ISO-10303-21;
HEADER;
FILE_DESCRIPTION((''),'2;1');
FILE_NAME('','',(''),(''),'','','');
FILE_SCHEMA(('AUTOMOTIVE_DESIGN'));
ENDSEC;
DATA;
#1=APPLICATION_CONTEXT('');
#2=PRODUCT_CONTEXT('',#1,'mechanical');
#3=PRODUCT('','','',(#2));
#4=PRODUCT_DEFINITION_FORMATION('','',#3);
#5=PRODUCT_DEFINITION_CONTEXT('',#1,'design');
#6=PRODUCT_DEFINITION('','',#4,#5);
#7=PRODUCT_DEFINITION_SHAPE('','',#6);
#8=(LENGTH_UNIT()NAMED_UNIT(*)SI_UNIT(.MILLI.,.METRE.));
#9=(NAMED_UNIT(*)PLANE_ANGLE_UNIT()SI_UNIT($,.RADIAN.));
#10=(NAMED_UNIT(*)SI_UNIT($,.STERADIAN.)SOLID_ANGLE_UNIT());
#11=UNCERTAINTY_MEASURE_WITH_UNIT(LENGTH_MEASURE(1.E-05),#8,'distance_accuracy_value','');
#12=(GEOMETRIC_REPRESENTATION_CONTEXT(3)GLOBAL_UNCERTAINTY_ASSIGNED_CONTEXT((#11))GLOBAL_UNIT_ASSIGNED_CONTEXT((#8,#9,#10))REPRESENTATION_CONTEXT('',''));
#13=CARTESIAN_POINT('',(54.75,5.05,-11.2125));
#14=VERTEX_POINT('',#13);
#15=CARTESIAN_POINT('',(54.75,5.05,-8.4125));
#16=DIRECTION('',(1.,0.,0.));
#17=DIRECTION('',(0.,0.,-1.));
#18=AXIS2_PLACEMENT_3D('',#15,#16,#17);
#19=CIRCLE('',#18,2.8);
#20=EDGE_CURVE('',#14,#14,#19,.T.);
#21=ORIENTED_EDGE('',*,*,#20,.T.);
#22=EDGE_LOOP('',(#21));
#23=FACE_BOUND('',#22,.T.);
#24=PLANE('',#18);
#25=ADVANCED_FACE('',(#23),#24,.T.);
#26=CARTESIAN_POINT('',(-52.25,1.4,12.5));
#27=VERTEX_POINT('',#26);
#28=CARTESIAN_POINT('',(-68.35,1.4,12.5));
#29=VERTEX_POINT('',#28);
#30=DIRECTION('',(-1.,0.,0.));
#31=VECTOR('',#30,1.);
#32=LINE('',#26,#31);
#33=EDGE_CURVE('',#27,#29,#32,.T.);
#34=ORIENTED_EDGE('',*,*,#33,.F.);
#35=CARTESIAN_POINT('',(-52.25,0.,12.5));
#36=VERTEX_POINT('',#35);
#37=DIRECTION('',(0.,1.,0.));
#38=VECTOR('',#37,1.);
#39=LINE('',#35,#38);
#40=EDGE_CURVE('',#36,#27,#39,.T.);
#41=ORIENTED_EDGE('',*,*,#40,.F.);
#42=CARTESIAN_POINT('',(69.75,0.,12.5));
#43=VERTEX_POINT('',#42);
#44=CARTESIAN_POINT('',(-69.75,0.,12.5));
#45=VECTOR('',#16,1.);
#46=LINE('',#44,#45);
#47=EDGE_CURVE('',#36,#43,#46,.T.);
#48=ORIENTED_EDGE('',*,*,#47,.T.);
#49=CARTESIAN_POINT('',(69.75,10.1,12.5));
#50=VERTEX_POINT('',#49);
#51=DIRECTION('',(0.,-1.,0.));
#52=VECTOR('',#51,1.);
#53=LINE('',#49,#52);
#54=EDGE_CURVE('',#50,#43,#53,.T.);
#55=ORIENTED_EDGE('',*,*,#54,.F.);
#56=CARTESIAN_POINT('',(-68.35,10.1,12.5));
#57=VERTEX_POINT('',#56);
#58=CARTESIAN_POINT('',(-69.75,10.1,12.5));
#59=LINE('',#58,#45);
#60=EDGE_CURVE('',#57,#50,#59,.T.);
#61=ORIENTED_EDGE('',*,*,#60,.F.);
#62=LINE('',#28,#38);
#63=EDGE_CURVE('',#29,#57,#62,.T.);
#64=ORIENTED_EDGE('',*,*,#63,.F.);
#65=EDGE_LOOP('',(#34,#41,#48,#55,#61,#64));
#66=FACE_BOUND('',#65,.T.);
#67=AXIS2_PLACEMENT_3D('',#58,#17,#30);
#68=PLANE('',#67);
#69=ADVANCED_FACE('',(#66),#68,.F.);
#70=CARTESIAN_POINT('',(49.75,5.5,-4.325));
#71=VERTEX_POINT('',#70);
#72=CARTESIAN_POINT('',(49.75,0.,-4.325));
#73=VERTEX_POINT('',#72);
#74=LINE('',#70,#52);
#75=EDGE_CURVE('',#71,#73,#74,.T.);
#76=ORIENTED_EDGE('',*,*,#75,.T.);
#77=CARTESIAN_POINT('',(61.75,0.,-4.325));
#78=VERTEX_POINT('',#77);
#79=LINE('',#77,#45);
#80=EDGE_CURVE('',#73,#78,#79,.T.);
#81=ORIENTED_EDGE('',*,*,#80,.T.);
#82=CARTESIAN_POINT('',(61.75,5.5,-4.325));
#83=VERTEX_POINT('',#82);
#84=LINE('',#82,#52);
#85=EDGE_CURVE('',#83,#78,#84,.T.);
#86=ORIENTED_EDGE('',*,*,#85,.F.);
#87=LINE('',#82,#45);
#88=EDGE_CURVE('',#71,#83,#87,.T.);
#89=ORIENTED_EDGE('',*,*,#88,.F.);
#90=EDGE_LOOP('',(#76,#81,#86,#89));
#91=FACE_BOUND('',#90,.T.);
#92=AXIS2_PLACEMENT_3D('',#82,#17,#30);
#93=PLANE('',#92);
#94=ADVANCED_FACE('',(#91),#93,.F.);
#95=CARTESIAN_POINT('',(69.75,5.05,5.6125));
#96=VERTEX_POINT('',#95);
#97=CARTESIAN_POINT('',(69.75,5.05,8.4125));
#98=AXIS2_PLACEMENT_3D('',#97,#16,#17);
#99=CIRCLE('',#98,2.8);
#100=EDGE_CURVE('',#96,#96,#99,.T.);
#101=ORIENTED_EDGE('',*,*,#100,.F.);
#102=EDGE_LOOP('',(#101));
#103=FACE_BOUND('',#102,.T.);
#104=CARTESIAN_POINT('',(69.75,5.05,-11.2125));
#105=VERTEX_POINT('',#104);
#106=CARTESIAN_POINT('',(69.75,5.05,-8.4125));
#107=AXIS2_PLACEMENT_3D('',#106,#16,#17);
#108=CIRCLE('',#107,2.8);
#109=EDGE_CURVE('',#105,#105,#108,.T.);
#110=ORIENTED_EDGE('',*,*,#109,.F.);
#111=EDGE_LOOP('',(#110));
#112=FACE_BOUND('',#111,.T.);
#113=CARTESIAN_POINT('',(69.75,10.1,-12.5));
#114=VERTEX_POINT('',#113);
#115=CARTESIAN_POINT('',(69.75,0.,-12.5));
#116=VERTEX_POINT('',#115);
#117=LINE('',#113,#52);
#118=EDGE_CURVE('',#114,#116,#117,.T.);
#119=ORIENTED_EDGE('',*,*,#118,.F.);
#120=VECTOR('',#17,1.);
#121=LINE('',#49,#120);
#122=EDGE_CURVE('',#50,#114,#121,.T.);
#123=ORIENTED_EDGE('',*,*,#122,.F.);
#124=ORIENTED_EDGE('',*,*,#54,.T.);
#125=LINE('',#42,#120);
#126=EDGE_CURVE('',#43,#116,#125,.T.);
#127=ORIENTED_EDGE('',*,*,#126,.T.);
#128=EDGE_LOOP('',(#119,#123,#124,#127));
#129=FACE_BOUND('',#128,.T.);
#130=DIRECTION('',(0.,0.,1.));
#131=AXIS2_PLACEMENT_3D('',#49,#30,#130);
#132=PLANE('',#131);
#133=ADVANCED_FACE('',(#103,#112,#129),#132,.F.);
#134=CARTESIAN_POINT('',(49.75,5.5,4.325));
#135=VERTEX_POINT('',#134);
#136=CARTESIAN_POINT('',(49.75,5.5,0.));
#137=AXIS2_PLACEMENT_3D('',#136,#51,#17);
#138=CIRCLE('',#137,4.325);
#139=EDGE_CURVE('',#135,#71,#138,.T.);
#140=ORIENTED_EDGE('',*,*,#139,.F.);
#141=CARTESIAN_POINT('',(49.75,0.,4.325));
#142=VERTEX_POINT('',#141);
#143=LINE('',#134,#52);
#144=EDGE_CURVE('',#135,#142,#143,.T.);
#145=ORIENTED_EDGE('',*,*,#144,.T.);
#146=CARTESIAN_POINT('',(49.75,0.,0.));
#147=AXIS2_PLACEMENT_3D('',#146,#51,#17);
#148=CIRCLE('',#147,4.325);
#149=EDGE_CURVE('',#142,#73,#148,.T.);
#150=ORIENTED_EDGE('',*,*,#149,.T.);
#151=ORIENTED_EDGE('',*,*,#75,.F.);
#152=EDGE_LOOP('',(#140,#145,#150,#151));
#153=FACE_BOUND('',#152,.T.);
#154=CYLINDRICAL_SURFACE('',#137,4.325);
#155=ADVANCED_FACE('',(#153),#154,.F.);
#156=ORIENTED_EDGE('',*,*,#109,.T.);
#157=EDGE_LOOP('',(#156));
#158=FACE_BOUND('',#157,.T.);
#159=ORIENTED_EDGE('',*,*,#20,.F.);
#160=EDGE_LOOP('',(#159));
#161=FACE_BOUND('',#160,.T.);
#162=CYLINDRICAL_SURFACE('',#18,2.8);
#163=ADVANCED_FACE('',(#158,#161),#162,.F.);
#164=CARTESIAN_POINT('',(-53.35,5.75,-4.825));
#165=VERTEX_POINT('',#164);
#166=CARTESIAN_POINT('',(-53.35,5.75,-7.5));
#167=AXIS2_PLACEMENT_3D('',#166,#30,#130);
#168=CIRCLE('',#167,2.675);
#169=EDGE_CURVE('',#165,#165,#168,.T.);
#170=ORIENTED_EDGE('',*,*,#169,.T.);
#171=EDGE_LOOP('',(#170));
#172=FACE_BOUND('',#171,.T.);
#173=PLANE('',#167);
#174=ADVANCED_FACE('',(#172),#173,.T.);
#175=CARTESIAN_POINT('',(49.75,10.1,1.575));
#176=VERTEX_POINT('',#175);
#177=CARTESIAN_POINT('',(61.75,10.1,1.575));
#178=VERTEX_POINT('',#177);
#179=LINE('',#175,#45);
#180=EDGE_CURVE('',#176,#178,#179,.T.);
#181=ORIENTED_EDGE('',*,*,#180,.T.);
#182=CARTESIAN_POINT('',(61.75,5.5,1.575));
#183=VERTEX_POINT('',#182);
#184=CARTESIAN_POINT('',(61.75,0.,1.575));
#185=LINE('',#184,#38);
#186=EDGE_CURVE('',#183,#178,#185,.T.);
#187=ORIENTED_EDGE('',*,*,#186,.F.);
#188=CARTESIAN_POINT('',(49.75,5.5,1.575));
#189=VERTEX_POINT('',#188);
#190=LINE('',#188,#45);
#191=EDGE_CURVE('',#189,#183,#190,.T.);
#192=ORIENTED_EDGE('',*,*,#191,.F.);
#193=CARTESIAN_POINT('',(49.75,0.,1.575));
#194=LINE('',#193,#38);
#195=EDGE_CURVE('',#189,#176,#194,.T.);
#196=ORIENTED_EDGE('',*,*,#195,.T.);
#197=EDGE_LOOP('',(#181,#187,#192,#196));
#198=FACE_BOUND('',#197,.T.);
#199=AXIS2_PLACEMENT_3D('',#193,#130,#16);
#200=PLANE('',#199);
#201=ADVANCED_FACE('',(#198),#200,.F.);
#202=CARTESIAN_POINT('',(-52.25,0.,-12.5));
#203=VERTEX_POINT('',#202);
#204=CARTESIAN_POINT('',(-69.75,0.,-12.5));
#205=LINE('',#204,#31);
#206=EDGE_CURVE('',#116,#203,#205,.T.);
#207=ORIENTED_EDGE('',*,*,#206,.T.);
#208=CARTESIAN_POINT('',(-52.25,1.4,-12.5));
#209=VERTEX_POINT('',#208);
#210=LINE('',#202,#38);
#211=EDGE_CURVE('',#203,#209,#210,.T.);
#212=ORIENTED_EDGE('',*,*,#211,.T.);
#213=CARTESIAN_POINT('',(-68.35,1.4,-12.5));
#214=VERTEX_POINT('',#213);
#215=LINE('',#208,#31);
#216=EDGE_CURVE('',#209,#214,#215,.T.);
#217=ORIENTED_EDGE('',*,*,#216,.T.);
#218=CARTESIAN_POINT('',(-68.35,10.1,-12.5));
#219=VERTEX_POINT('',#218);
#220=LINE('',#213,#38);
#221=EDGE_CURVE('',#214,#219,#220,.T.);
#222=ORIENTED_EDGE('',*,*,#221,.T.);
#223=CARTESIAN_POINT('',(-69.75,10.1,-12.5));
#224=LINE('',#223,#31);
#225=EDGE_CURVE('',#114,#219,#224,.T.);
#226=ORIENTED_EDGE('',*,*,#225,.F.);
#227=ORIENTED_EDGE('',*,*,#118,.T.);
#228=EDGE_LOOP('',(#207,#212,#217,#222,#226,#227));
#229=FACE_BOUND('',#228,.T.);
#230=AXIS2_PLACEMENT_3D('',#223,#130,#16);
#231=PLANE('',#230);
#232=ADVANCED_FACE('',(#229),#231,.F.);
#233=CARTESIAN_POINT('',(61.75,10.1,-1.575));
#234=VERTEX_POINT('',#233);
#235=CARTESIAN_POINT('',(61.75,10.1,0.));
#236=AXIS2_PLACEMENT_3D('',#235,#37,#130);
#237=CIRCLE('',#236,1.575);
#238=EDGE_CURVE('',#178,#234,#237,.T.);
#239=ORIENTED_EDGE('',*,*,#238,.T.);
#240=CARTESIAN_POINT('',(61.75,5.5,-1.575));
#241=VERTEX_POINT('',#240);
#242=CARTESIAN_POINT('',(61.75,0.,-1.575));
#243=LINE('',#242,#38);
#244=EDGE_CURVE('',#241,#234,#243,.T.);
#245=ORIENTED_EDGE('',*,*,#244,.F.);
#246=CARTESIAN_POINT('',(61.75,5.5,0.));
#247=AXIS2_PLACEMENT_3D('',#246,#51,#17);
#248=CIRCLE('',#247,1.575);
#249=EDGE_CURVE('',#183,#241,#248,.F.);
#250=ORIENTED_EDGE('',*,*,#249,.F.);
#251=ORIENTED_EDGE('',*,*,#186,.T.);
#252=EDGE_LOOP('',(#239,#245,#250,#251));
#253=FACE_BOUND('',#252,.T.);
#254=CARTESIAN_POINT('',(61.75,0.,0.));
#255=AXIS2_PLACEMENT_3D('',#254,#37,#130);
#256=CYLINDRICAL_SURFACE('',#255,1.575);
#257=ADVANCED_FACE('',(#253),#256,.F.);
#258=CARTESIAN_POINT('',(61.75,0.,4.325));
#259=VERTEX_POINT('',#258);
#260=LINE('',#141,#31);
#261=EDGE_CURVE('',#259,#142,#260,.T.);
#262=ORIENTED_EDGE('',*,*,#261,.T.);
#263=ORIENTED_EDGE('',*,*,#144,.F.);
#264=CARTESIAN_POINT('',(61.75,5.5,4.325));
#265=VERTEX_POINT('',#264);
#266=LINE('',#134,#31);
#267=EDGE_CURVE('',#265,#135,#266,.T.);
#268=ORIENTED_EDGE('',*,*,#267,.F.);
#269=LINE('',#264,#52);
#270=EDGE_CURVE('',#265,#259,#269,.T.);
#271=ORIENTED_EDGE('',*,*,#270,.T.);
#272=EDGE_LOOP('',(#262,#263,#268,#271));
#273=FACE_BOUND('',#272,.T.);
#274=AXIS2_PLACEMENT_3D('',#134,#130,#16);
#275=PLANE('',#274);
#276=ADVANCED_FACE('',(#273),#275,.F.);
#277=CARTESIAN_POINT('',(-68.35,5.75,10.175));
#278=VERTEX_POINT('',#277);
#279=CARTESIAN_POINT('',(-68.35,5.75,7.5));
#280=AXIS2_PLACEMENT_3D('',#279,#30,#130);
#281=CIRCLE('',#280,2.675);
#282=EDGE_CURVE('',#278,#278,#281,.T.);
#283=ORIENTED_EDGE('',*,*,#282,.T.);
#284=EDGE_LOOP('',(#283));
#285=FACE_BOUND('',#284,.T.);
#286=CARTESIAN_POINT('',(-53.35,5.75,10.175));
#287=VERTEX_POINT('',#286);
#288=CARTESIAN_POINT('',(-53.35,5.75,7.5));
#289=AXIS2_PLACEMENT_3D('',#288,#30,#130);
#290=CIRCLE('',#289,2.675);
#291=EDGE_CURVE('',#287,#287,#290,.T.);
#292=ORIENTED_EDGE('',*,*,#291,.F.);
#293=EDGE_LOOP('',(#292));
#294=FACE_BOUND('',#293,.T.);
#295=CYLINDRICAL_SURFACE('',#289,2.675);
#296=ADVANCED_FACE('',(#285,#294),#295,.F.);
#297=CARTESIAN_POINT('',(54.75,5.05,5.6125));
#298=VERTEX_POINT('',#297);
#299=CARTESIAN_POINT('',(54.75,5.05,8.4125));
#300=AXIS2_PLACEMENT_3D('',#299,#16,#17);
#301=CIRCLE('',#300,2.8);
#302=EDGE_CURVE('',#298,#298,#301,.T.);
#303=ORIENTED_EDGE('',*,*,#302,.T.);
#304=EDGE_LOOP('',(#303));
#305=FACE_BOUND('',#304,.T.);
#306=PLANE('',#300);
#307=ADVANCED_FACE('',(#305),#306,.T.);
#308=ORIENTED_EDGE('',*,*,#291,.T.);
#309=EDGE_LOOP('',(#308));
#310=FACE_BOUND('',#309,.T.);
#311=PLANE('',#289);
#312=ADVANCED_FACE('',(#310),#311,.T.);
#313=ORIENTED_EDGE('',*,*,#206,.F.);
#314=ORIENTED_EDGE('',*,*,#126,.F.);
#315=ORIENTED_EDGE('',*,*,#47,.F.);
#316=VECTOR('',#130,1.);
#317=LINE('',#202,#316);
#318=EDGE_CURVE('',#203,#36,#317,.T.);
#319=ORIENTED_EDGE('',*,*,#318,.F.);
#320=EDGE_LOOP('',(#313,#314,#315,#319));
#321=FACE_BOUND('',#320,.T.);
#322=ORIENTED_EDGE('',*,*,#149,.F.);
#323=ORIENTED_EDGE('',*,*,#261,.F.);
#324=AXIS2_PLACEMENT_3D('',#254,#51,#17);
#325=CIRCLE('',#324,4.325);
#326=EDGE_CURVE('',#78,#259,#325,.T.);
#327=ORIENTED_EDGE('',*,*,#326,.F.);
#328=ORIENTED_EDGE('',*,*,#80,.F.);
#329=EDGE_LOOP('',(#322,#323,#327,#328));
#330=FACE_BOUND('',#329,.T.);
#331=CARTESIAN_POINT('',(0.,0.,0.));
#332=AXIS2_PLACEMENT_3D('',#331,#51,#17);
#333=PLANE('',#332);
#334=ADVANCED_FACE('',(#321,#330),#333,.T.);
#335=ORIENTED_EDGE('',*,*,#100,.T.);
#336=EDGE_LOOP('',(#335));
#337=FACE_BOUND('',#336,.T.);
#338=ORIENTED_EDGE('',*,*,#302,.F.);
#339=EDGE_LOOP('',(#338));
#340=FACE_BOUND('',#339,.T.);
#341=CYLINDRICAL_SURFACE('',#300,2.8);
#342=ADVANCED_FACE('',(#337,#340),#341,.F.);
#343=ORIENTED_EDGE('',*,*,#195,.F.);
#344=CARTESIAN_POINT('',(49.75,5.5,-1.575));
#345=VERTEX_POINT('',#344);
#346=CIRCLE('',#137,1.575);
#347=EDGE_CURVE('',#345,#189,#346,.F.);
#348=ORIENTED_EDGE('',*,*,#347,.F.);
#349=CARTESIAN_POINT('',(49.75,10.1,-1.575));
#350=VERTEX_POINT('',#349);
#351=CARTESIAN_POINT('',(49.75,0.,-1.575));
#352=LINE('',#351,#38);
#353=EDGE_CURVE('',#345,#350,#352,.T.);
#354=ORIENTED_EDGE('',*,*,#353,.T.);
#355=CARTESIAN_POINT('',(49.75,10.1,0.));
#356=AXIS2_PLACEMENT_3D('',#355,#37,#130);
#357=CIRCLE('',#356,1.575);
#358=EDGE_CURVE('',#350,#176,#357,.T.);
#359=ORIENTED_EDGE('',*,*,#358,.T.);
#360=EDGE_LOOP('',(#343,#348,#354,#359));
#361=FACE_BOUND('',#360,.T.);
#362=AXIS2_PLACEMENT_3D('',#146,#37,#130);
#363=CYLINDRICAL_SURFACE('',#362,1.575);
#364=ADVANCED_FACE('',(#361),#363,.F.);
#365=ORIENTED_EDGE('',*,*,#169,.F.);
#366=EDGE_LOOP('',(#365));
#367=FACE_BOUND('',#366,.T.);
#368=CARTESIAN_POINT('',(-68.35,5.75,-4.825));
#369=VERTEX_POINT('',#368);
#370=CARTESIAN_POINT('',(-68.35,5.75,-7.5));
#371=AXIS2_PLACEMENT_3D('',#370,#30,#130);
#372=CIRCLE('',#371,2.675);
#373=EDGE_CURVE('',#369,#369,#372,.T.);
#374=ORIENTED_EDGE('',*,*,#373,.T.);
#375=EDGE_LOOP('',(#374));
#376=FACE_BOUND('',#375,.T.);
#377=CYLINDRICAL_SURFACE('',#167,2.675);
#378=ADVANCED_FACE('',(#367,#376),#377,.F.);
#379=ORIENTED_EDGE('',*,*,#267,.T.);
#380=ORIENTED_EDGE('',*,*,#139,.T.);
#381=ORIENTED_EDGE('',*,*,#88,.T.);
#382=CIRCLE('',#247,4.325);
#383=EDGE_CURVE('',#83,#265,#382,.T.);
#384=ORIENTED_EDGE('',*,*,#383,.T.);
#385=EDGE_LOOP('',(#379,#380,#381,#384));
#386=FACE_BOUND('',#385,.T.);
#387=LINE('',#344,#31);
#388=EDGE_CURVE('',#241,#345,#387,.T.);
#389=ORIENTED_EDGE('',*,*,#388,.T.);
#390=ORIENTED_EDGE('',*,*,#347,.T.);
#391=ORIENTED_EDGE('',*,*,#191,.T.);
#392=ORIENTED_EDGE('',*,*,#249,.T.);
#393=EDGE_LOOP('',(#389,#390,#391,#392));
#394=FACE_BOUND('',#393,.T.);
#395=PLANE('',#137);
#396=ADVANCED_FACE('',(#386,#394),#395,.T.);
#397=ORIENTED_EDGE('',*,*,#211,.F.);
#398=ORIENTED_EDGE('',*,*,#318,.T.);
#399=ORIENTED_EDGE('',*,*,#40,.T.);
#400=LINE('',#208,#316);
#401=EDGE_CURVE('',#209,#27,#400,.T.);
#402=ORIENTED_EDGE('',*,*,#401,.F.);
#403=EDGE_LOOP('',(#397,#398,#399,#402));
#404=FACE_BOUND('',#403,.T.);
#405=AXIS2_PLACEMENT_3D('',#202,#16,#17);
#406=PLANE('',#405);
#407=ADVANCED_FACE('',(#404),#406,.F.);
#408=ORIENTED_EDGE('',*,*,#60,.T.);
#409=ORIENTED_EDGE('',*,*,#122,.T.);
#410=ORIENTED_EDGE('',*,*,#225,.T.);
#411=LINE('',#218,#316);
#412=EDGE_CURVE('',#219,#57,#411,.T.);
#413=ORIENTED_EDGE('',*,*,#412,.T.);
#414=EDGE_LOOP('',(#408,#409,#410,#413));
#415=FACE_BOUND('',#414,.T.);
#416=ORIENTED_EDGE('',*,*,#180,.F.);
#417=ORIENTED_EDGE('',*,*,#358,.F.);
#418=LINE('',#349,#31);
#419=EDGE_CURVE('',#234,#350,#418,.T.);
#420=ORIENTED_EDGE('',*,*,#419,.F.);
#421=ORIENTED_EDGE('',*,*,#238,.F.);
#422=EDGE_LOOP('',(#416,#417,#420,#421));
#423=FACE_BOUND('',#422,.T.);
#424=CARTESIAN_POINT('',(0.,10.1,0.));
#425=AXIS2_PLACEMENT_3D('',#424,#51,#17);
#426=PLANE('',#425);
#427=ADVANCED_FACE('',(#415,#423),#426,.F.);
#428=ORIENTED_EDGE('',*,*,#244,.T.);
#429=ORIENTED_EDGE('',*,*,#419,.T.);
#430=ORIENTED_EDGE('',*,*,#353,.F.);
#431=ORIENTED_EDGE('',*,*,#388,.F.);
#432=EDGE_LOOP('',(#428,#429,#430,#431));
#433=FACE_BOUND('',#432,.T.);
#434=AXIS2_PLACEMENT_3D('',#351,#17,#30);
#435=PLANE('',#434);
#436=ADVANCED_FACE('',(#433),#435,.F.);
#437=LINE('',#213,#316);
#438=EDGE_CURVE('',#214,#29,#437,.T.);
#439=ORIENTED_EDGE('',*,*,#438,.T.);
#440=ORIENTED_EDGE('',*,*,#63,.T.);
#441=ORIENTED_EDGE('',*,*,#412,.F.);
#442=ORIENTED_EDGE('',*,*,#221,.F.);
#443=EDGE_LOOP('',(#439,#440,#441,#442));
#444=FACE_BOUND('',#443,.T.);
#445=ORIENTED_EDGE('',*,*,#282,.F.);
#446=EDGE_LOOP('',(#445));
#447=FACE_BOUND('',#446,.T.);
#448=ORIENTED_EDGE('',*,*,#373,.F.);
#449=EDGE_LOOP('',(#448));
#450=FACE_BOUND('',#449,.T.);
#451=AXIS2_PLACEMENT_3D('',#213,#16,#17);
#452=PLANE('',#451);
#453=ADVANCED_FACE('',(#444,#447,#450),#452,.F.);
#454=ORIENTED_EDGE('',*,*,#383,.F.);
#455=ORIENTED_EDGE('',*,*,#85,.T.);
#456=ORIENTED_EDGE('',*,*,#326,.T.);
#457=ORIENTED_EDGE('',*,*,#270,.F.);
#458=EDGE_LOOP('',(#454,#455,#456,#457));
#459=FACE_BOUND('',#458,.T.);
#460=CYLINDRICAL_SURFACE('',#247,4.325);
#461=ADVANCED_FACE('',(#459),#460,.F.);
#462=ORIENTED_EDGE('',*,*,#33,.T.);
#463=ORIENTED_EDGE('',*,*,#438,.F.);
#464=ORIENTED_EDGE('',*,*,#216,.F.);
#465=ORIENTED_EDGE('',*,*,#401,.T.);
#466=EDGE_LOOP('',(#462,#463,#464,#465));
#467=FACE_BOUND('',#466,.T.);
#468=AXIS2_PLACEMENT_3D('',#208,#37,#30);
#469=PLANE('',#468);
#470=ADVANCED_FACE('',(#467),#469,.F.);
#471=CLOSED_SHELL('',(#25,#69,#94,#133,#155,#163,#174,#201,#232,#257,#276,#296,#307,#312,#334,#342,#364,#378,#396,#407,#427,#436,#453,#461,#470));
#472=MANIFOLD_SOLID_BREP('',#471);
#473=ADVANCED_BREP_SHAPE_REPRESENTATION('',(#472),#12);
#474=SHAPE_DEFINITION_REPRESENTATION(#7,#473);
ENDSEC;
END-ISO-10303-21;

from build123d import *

# Parameters (mm, degrees)
CROQUIS1_W              = 139.5
CROQUIS1_H              = 25
SALIENTE_EXTRUIR1_DEPTH = 10.1
CORTAR_EXTRUIR1_DEPTH   = 26
CROQUIS3_R              = 2.675
CORTAR_EXTRUIR2_DEPTH   = 15
CORTAR_EXTRUIR3_DEPTH   = 11.1
CORTAR_EXTRUIR4_DEPTH   = 5.5
CROQUIS7_R              = 2.8
CORTAR_EXTRUIR5_DEPTH   = 15


with BuildPart() as part:
    # Croquis1 → Saliente-Extruir1 (new body)
    with BuildSketch(Plane(origin=(0, 0, 0), x_dir=(1, 0, 0), z_dir=(0, 1, 0))):
        Rectangle(CROQUIS1_W, CROQUIS1_H)
    extrude(amount=SALIENTE_EXTRUIR1_DEPTH)

    # Croquis2 → Cortar-Extruir1 (cut, through all)
    with BuildSketch(Plane.XY.offset(12.5)):
        Polygon((-69.75, 10.1), (-69.75, 0), (-52.25, 0), (-52.25, 1.4), (-68.35, 1.4), (-68.35, 10.1), align=None)
    extrude(amount=-CORTAR_EXTRUIR1_DEPTH, mode=Mode.SUBTRACT)

    # Croquis3 → Cortar-Extruir2 (cut)
    with BuildSketch(Plane.ZY.offset(68.35)):
        with Locations((-7.5, 5.75)):
            Circle(CROQUIS3_R)
        with Locations((7.5, 5.75)):
            Circle(CROQUIS3_R)
    extrude(amount=-CORTAR_EXTRUIR2_DEPTH, mode=Mode.SUBTRACT)

    # Croquis4 → Cortar-Extruir3 (cut, through all)
    with BuildSketch(Plane(origin=(0, 10.1, 0), x_dir=(1, 0, 0), z_dir=(0, 1, 0))):
        with BuildLine():
            Line((49.75, 1.575), (61.75, 1.575))
            ThreePointArc((61.75, 1.575), (63.325, 0), (61.75, -1.575))
            Line((61.75, -1.575), (49.75, -1.575))
            ThreePointArc((49.75, -1.575), (48.175, 0), (49.75, 1.575))
        make_face()
    extrude(amount=-CORTAR_EXTRUIR3_DEPTH, mode=Mode.SUBTRACT)

    # Croquis5 → Cortar-Extruir4 (cut)
    with BuildSketch(Plane.XZ):
        with BuildLine():
            Line((49.75, 4.325), (61.75, 4.325))
            ThreePointArc((61.75, 4.325), (66.075, 0), (61.75, -4.325))
            Line((61.75, -4.325), (49.75, -4.325))
            ThreePointArc((49.75, -4.325), (45.425, 0), (49.75, 4.325))
        make_face()
    extrude(amount=-CORTAR_EXTRUIR4_DEPTH, mode=Mode.SUBTRACT)

    # Croquis7 → Cortar-Extruir5 (cut)
    with BuildSketch(Plane(origin=(69.75, 0, 0), x_dir=(0, 0, -1), z_dir=(1, 0, 0))):
        with Locations((-8.4125, 5.05)):
            Circle(CROQUIS7_R)
        with Locations((8.4125, 5.05)):
            Circle(CROQUIS7_R)
    extrude(amount=-CORTAR_EXTRUIR5_DEPTH, mode=Mode.SUBTRACT)


solid = part.part
